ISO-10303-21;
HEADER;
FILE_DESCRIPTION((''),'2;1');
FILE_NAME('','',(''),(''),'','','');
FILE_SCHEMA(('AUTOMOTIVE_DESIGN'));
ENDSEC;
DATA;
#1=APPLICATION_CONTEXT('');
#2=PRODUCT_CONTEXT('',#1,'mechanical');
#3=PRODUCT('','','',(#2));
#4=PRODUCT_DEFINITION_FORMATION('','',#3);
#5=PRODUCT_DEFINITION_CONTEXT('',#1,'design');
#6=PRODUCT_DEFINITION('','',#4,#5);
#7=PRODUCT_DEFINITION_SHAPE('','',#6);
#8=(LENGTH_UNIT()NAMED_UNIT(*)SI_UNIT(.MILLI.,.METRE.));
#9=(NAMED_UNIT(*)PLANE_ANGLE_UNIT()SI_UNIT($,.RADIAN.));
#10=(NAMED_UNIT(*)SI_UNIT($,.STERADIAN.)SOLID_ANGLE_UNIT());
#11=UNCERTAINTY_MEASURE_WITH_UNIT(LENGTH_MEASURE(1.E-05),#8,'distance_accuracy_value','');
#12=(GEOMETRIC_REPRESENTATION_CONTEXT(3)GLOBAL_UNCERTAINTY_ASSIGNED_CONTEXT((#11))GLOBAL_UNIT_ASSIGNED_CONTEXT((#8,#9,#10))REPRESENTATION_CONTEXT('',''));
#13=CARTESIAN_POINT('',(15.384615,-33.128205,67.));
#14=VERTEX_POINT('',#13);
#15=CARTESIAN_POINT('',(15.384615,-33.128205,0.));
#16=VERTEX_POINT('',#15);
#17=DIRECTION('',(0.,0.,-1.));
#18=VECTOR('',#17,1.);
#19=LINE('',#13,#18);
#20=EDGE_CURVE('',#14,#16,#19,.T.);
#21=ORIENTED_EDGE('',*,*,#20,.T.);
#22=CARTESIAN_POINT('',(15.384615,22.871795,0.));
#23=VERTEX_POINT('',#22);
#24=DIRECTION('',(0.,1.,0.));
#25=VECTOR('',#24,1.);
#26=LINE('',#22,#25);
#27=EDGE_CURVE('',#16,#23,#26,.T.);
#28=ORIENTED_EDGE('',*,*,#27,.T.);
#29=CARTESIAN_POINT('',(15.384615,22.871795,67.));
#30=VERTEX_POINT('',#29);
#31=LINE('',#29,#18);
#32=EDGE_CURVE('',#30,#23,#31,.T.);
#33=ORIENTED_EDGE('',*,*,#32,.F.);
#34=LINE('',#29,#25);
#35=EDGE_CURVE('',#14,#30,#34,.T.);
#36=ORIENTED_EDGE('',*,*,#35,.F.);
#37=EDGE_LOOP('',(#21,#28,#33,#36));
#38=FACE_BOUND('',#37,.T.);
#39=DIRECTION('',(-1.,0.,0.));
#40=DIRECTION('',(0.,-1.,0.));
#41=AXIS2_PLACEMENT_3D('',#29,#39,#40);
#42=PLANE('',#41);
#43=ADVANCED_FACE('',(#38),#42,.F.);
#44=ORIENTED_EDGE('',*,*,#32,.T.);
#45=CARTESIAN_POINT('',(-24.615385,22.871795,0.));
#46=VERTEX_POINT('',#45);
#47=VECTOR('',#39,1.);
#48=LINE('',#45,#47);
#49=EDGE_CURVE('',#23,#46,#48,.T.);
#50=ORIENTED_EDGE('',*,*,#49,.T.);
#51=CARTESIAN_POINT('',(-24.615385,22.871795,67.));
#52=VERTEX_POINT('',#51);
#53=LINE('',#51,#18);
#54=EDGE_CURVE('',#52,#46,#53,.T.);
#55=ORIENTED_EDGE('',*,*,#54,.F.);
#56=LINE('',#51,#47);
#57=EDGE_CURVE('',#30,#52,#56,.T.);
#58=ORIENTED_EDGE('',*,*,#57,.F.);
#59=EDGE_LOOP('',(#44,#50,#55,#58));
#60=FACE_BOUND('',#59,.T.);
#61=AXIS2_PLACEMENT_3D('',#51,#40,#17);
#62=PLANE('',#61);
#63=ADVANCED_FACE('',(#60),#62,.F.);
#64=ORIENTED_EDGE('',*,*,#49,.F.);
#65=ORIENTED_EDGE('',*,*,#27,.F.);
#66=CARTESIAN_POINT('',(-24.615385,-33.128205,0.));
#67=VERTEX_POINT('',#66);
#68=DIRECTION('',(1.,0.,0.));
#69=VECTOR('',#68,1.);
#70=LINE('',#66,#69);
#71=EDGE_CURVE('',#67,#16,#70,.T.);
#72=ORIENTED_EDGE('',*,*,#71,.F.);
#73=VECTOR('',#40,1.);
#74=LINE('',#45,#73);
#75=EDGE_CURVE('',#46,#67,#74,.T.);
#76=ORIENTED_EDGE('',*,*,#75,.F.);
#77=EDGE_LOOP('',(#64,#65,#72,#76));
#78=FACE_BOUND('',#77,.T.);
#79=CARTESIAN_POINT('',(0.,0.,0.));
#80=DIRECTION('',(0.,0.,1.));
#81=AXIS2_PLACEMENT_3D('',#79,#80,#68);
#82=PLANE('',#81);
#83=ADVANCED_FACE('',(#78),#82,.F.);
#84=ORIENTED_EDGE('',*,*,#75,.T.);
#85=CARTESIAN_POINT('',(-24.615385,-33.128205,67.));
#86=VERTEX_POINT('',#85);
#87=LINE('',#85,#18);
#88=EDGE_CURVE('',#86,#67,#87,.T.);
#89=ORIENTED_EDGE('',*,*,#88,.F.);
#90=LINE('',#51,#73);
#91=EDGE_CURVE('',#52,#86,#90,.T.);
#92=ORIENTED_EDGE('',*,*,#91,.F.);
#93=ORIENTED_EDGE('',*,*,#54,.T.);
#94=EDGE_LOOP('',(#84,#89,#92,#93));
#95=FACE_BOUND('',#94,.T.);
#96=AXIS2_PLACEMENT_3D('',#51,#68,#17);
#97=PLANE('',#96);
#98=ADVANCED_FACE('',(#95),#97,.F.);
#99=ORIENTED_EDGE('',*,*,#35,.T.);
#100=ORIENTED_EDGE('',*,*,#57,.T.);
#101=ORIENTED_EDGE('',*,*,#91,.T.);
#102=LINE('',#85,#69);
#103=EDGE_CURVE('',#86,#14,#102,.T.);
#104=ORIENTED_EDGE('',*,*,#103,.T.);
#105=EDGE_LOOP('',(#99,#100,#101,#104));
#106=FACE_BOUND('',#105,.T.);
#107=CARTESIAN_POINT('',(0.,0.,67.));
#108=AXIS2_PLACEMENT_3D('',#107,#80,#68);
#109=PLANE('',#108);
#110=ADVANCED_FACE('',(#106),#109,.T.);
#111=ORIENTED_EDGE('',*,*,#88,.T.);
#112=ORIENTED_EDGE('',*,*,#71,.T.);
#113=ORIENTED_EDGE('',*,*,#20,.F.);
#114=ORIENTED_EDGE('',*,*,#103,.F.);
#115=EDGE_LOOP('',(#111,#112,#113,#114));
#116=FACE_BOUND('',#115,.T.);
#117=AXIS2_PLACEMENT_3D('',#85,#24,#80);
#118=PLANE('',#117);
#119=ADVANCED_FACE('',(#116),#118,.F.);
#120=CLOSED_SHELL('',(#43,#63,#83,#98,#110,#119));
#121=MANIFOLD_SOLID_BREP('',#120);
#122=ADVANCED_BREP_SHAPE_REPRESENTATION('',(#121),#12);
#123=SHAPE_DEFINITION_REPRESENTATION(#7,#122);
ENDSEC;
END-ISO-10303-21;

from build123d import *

# Parameters (mm, degrees)
SKETCH_1_W      = 40
SKETCH_1_H      = 56
EXTRUDE_1_DEPTH = 67


with BuildPart() as part:
    # 草图1 → 凸台-拉伸1 (new body)
    with BuildSketch(Plane.XY):
        with Locations((-4.615384615, -5.128205128)):
            Rectangle(SKETCH_1_W, SKETCH_1_H)
    extrude(amount=EXTRUDE_1_DEPTH)


solid = part.part
